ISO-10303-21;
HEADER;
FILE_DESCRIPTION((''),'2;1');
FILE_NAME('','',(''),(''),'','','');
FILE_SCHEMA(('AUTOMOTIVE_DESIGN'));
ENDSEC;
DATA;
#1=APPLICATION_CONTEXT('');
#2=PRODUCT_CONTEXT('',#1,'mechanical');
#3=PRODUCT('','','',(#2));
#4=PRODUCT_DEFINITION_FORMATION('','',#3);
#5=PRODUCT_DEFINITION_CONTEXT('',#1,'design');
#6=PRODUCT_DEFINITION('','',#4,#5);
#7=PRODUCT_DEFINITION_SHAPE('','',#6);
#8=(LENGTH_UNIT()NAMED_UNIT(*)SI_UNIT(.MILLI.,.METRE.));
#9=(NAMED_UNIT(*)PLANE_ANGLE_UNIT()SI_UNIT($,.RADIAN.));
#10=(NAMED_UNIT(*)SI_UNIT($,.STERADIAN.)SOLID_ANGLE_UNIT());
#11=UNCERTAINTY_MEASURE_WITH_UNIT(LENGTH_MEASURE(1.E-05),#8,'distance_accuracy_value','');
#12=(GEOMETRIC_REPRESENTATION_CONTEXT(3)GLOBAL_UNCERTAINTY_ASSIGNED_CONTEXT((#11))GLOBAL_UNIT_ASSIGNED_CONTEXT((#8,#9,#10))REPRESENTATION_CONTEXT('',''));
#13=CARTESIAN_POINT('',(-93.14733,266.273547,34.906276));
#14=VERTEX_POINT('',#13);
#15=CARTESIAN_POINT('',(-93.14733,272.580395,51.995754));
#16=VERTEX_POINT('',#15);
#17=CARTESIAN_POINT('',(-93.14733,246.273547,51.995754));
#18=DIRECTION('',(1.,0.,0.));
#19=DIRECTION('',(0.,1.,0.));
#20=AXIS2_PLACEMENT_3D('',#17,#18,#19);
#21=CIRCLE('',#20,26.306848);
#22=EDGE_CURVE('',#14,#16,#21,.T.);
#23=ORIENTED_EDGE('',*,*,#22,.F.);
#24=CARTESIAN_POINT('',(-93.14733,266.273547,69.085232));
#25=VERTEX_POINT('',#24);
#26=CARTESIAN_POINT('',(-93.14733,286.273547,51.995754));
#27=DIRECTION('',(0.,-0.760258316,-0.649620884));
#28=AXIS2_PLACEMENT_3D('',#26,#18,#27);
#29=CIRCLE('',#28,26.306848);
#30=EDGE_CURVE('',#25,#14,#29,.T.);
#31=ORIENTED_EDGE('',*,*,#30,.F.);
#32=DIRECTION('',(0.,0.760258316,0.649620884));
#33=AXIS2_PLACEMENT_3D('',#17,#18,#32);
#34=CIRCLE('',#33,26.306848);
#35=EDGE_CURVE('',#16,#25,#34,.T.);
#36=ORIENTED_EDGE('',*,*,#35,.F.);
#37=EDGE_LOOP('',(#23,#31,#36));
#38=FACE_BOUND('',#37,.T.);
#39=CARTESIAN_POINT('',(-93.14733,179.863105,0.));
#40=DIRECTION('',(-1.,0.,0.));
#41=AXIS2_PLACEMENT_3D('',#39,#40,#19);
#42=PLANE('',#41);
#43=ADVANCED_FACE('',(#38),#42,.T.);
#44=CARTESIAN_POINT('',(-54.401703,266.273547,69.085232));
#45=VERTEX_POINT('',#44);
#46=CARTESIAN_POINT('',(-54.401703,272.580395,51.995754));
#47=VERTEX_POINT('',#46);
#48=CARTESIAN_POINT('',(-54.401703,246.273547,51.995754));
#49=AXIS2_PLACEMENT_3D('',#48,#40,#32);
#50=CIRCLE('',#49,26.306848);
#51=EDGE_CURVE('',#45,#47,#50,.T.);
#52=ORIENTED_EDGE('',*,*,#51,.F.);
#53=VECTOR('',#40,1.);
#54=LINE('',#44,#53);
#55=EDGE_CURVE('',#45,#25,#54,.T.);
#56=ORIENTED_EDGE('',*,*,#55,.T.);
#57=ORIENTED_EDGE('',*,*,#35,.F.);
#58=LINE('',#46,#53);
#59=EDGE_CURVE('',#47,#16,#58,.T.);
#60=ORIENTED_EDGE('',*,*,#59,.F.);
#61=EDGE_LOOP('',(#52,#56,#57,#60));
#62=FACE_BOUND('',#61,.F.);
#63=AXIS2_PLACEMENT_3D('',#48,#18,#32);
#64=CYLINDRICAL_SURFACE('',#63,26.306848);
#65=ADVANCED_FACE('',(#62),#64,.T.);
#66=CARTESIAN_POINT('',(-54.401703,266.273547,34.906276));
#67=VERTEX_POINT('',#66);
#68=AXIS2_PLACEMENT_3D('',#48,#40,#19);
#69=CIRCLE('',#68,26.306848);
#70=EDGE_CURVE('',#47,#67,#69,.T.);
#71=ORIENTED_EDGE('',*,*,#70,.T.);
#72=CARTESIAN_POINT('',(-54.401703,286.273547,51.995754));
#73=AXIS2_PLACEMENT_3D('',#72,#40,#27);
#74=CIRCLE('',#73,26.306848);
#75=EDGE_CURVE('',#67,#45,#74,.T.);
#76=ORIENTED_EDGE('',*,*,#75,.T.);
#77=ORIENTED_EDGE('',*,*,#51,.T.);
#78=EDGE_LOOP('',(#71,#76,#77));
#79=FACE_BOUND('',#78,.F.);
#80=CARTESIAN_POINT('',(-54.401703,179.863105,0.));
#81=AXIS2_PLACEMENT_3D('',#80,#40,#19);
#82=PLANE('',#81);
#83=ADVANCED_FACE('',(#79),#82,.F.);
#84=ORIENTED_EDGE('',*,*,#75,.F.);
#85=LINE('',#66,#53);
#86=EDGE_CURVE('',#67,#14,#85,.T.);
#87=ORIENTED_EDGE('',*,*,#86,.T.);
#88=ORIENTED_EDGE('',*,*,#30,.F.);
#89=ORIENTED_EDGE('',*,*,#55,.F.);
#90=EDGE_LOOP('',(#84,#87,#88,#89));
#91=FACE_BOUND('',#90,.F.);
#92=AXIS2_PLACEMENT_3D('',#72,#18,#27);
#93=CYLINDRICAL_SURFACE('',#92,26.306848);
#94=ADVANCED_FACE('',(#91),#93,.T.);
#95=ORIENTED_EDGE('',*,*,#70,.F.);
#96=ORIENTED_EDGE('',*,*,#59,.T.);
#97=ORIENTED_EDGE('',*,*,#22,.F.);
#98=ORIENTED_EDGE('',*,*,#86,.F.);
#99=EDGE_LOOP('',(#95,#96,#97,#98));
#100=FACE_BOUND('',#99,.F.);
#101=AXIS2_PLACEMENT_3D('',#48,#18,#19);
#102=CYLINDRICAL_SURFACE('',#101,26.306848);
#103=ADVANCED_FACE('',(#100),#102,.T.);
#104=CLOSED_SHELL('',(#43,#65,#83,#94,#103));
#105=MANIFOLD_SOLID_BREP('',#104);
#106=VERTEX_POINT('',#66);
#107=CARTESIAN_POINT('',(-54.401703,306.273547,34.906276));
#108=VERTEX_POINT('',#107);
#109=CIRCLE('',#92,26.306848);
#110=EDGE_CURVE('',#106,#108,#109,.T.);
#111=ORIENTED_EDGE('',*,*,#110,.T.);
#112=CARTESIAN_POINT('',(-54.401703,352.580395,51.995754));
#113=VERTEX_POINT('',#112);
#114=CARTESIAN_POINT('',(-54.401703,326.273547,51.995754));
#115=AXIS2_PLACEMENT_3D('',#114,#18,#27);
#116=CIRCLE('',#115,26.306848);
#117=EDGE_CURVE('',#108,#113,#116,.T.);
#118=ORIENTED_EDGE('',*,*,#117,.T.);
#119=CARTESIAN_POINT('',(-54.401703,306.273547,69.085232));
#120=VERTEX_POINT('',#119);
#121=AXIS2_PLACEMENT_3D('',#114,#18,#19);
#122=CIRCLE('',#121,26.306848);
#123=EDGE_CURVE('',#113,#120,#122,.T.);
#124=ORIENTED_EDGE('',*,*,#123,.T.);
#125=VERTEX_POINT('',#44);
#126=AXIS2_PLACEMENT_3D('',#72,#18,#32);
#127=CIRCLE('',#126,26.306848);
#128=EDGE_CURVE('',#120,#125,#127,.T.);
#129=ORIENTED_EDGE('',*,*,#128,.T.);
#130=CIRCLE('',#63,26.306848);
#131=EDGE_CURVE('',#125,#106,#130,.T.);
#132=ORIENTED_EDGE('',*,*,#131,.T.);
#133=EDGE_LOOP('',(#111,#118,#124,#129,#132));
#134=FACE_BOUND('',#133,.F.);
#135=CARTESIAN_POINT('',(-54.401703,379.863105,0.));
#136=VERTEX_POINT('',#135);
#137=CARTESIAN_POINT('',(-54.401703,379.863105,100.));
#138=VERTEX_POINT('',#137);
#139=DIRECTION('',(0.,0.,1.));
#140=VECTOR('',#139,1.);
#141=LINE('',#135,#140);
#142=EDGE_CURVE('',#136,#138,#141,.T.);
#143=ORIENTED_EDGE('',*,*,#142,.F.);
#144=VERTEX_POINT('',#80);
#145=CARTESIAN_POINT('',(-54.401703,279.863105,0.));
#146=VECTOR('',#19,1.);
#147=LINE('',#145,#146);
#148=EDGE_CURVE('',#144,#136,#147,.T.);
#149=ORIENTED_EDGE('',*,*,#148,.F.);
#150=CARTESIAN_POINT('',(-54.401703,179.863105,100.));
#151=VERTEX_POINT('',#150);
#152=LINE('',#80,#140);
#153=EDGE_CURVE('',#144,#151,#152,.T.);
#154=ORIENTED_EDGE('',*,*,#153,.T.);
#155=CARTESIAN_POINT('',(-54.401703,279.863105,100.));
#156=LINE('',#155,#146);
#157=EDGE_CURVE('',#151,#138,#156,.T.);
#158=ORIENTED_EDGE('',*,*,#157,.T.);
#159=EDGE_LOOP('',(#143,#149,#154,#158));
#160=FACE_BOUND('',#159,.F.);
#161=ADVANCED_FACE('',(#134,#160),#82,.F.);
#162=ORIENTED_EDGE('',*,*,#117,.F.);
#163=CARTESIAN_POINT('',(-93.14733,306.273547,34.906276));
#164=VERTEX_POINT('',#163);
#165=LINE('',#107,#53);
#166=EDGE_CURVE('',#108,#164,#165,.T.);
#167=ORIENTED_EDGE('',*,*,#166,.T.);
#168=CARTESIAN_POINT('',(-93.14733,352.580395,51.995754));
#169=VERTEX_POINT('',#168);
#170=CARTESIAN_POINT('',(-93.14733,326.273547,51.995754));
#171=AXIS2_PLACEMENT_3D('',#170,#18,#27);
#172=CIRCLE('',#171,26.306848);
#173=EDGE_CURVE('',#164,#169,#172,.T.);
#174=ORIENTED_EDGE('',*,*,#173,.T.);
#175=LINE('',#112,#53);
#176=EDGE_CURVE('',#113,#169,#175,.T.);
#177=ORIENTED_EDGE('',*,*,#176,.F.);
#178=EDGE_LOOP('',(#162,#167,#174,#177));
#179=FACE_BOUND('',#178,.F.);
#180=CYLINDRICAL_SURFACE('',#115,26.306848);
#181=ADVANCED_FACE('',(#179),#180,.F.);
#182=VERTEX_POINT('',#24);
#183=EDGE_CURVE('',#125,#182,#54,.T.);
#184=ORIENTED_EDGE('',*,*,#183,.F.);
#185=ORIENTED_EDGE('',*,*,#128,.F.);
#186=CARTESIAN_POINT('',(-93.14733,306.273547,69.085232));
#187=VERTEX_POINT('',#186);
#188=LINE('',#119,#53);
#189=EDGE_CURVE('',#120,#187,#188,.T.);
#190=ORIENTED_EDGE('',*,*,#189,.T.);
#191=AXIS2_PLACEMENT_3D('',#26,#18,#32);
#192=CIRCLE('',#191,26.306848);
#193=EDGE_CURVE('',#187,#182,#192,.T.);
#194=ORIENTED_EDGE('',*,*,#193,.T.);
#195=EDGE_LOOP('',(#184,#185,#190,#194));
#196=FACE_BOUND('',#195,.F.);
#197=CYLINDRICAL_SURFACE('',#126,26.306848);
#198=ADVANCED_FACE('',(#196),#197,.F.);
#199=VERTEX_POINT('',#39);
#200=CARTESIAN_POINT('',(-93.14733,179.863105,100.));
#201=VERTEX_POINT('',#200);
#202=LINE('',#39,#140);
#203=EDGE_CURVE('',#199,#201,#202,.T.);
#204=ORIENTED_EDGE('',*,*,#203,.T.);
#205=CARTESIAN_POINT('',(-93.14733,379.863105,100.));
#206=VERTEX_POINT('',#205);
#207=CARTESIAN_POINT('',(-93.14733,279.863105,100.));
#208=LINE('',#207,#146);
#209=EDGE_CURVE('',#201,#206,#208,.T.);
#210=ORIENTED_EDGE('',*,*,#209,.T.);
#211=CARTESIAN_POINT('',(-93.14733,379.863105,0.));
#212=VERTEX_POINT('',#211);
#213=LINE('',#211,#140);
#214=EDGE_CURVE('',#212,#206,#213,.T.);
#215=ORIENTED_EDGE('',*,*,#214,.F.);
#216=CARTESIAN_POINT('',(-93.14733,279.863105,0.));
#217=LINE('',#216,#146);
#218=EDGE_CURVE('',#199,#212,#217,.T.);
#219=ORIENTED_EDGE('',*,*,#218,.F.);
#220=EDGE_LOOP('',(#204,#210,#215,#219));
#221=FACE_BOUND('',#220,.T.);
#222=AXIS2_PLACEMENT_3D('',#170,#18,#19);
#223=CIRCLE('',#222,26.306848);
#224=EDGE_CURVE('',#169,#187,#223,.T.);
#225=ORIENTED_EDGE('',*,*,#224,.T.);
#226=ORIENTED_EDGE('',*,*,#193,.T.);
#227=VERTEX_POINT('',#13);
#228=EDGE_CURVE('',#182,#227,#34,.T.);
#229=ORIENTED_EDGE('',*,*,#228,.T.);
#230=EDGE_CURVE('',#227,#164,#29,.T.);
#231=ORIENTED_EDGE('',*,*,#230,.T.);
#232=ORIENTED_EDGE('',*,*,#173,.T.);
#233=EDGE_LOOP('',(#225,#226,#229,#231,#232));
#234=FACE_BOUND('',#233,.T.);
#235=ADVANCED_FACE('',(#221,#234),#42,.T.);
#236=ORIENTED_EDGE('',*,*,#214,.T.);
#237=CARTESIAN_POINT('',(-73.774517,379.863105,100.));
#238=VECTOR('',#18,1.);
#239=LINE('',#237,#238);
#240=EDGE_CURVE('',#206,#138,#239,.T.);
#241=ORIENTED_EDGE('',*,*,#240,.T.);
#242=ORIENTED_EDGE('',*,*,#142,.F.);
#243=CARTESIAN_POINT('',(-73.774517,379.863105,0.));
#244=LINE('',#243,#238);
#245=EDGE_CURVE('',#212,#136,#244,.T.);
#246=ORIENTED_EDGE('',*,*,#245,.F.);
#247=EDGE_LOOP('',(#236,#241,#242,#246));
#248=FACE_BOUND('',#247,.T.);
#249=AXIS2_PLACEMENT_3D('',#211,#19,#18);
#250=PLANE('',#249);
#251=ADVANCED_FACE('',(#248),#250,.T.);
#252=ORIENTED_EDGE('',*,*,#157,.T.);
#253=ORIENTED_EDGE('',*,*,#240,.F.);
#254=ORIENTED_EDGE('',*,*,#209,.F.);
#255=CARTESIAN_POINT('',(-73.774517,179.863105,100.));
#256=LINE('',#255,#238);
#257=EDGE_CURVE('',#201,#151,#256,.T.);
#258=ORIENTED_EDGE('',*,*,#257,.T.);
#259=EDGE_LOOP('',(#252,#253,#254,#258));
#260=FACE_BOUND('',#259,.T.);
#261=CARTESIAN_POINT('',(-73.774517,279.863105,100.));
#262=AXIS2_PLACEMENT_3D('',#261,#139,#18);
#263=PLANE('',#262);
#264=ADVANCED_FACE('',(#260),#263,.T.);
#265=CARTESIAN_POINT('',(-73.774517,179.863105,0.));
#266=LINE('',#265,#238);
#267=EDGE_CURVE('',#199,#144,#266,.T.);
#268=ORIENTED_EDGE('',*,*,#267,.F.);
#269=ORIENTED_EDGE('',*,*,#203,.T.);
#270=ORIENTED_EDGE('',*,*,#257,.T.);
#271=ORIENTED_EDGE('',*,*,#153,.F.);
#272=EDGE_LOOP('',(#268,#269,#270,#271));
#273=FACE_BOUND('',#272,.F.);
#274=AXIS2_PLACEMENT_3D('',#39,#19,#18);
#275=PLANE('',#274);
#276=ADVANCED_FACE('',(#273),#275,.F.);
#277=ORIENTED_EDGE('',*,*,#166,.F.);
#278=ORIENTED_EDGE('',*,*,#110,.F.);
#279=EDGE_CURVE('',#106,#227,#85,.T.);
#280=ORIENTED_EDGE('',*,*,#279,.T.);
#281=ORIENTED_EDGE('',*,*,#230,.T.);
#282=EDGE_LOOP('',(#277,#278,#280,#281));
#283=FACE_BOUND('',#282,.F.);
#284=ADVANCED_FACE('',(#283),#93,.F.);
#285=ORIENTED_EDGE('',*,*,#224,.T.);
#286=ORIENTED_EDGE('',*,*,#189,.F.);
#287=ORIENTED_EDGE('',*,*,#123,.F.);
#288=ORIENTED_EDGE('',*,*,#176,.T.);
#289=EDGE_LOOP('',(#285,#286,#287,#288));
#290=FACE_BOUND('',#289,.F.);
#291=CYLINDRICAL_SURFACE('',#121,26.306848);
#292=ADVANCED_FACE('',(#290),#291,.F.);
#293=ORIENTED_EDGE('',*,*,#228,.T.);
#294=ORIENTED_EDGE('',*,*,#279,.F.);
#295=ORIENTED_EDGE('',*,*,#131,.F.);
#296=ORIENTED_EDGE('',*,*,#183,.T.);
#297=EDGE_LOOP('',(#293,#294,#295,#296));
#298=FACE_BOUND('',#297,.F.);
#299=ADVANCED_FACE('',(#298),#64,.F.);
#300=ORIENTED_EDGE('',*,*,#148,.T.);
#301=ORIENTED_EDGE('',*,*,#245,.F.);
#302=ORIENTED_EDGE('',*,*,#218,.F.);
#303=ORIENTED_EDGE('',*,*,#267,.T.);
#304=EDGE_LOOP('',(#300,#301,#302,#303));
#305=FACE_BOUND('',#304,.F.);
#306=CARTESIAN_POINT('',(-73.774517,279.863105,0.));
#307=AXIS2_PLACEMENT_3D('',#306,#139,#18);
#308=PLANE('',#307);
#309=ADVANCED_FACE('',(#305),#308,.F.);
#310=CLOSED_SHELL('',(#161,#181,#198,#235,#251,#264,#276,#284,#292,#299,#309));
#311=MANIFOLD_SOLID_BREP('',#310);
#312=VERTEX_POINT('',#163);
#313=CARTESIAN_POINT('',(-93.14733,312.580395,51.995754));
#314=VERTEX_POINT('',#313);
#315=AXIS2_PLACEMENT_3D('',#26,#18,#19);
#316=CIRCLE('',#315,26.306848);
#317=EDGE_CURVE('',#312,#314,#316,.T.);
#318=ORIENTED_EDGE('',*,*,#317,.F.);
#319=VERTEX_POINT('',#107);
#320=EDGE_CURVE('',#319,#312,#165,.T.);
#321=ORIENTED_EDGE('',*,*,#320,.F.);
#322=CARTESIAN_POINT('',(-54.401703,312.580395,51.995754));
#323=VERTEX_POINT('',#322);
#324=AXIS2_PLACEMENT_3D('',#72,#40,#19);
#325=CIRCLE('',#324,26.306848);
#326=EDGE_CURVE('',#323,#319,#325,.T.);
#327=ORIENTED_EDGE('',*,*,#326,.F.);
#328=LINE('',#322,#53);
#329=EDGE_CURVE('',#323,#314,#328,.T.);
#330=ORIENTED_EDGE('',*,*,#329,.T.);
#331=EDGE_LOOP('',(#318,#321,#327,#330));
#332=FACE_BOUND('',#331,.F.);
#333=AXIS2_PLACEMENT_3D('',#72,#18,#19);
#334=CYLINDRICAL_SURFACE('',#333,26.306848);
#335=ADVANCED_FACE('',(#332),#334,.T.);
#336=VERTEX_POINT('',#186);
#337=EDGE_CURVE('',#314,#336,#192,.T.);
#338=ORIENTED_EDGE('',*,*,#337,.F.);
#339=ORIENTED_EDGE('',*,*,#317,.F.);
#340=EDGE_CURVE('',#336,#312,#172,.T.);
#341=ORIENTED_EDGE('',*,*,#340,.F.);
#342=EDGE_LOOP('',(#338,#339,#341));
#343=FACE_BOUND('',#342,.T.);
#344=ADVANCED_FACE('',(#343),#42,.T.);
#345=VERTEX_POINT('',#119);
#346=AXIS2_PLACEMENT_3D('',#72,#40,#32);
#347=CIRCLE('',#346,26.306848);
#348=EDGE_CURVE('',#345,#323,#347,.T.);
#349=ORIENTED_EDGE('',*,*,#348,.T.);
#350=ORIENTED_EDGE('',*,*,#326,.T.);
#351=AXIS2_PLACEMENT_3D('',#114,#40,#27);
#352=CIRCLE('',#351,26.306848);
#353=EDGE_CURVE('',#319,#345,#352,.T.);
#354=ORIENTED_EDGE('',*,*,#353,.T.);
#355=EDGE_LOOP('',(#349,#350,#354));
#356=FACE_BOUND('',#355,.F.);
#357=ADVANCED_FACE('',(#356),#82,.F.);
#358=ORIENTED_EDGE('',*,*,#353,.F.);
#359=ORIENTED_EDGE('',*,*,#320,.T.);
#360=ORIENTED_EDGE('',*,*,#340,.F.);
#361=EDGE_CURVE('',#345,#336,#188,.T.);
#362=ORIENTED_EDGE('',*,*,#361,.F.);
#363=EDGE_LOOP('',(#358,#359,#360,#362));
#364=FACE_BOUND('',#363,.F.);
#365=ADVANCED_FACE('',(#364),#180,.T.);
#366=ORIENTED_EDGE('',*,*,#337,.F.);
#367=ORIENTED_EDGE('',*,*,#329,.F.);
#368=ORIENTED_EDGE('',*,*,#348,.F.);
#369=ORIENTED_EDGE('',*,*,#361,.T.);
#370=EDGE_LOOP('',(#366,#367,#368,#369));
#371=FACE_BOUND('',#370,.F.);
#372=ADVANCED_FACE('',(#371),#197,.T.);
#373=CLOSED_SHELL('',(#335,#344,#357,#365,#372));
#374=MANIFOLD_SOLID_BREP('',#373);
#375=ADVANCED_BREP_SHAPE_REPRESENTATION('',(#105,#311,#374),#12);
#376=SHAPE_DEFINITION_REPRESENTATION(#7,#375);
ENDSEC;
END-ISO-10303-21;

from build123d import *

# Parameters (mm, degrees)
F0_W     = 38.7456268072
F0_H     = 200
F1_DEPTH = 100
F3_DEPTH = 200


with BuildPart() as f1:
    # F0 (on Top) → F1 (new body)
    with BuildSketch(Plane.XY):
        with Locations((-73.7745165825, 279.8631054312)):
            Rectangle(F0_W, F0_H)
    extrude(amount=F1_DEPTH)

    # F2 (on face) → F3 (cut)
    with BuildSketch(Plane.YZ.offset(-54.4017031789)):
        with BuildLine():
            ThreePointArc((266.273547411, 34.9062763701), (259.9666993684, 51.9957542419), (266.273547411, 69.0852321138))
            ThreePointArc((266.273547411, 69.0852321138), (219.9666993684, 51.9957542419), (266.273547411, 34.9062763701))
        make_face()
        with BuildLine():
            ThreePointArc((266.273547411, 69.0852321138), (270.9533692781, 61.1038081801), (272.5803954535, 51.9957542419))
            ThreePointArc((272.5803954535, 51.9957542419), (270.9533692781, 42.8877003037), (266.273547411, 34.9062763701))
            ThreePointArc((266.273547411, 34.9062763701), (286.273547411, 25.6889061994), (306.273547411, 34.9062763701))
            ThreePointArc((306.273547411, 34.9062763701), (299.9666993684, 51.9957542419), (306.273547411, 69.0852321138))
            ThreePointArc((306.273547411, 69.0852321138), (286.273547411, 78.3026022845), (266.273547411, 69.0852321138))
        make_face()
        with BuildLine():
            ThreePointArc((352.5803954535, 51.9957542419), (335.3816013492, 76.675576109), (306.273547411, 69.0852321138))
            ThreePointArc((306.273547411, 69.0852321138), (310.9533692781, 61.1038081801), (312.5803954535, 51.9957542419))
            ThreePointArc((312.5803954535, 51.9957542419), (310.9533692781, 42.8877003037), (306.273547411, 34.9062763701))
            ThreePointArc((306.273547411, 34.9062763701), (335.3816013492, 27.3159323748), (352.5803954535, 51.9957542419))
        make_face()
    extrude(amount=-F3_DEPTH, mode=Mode.SUBTRACT)


solid = f1.part
